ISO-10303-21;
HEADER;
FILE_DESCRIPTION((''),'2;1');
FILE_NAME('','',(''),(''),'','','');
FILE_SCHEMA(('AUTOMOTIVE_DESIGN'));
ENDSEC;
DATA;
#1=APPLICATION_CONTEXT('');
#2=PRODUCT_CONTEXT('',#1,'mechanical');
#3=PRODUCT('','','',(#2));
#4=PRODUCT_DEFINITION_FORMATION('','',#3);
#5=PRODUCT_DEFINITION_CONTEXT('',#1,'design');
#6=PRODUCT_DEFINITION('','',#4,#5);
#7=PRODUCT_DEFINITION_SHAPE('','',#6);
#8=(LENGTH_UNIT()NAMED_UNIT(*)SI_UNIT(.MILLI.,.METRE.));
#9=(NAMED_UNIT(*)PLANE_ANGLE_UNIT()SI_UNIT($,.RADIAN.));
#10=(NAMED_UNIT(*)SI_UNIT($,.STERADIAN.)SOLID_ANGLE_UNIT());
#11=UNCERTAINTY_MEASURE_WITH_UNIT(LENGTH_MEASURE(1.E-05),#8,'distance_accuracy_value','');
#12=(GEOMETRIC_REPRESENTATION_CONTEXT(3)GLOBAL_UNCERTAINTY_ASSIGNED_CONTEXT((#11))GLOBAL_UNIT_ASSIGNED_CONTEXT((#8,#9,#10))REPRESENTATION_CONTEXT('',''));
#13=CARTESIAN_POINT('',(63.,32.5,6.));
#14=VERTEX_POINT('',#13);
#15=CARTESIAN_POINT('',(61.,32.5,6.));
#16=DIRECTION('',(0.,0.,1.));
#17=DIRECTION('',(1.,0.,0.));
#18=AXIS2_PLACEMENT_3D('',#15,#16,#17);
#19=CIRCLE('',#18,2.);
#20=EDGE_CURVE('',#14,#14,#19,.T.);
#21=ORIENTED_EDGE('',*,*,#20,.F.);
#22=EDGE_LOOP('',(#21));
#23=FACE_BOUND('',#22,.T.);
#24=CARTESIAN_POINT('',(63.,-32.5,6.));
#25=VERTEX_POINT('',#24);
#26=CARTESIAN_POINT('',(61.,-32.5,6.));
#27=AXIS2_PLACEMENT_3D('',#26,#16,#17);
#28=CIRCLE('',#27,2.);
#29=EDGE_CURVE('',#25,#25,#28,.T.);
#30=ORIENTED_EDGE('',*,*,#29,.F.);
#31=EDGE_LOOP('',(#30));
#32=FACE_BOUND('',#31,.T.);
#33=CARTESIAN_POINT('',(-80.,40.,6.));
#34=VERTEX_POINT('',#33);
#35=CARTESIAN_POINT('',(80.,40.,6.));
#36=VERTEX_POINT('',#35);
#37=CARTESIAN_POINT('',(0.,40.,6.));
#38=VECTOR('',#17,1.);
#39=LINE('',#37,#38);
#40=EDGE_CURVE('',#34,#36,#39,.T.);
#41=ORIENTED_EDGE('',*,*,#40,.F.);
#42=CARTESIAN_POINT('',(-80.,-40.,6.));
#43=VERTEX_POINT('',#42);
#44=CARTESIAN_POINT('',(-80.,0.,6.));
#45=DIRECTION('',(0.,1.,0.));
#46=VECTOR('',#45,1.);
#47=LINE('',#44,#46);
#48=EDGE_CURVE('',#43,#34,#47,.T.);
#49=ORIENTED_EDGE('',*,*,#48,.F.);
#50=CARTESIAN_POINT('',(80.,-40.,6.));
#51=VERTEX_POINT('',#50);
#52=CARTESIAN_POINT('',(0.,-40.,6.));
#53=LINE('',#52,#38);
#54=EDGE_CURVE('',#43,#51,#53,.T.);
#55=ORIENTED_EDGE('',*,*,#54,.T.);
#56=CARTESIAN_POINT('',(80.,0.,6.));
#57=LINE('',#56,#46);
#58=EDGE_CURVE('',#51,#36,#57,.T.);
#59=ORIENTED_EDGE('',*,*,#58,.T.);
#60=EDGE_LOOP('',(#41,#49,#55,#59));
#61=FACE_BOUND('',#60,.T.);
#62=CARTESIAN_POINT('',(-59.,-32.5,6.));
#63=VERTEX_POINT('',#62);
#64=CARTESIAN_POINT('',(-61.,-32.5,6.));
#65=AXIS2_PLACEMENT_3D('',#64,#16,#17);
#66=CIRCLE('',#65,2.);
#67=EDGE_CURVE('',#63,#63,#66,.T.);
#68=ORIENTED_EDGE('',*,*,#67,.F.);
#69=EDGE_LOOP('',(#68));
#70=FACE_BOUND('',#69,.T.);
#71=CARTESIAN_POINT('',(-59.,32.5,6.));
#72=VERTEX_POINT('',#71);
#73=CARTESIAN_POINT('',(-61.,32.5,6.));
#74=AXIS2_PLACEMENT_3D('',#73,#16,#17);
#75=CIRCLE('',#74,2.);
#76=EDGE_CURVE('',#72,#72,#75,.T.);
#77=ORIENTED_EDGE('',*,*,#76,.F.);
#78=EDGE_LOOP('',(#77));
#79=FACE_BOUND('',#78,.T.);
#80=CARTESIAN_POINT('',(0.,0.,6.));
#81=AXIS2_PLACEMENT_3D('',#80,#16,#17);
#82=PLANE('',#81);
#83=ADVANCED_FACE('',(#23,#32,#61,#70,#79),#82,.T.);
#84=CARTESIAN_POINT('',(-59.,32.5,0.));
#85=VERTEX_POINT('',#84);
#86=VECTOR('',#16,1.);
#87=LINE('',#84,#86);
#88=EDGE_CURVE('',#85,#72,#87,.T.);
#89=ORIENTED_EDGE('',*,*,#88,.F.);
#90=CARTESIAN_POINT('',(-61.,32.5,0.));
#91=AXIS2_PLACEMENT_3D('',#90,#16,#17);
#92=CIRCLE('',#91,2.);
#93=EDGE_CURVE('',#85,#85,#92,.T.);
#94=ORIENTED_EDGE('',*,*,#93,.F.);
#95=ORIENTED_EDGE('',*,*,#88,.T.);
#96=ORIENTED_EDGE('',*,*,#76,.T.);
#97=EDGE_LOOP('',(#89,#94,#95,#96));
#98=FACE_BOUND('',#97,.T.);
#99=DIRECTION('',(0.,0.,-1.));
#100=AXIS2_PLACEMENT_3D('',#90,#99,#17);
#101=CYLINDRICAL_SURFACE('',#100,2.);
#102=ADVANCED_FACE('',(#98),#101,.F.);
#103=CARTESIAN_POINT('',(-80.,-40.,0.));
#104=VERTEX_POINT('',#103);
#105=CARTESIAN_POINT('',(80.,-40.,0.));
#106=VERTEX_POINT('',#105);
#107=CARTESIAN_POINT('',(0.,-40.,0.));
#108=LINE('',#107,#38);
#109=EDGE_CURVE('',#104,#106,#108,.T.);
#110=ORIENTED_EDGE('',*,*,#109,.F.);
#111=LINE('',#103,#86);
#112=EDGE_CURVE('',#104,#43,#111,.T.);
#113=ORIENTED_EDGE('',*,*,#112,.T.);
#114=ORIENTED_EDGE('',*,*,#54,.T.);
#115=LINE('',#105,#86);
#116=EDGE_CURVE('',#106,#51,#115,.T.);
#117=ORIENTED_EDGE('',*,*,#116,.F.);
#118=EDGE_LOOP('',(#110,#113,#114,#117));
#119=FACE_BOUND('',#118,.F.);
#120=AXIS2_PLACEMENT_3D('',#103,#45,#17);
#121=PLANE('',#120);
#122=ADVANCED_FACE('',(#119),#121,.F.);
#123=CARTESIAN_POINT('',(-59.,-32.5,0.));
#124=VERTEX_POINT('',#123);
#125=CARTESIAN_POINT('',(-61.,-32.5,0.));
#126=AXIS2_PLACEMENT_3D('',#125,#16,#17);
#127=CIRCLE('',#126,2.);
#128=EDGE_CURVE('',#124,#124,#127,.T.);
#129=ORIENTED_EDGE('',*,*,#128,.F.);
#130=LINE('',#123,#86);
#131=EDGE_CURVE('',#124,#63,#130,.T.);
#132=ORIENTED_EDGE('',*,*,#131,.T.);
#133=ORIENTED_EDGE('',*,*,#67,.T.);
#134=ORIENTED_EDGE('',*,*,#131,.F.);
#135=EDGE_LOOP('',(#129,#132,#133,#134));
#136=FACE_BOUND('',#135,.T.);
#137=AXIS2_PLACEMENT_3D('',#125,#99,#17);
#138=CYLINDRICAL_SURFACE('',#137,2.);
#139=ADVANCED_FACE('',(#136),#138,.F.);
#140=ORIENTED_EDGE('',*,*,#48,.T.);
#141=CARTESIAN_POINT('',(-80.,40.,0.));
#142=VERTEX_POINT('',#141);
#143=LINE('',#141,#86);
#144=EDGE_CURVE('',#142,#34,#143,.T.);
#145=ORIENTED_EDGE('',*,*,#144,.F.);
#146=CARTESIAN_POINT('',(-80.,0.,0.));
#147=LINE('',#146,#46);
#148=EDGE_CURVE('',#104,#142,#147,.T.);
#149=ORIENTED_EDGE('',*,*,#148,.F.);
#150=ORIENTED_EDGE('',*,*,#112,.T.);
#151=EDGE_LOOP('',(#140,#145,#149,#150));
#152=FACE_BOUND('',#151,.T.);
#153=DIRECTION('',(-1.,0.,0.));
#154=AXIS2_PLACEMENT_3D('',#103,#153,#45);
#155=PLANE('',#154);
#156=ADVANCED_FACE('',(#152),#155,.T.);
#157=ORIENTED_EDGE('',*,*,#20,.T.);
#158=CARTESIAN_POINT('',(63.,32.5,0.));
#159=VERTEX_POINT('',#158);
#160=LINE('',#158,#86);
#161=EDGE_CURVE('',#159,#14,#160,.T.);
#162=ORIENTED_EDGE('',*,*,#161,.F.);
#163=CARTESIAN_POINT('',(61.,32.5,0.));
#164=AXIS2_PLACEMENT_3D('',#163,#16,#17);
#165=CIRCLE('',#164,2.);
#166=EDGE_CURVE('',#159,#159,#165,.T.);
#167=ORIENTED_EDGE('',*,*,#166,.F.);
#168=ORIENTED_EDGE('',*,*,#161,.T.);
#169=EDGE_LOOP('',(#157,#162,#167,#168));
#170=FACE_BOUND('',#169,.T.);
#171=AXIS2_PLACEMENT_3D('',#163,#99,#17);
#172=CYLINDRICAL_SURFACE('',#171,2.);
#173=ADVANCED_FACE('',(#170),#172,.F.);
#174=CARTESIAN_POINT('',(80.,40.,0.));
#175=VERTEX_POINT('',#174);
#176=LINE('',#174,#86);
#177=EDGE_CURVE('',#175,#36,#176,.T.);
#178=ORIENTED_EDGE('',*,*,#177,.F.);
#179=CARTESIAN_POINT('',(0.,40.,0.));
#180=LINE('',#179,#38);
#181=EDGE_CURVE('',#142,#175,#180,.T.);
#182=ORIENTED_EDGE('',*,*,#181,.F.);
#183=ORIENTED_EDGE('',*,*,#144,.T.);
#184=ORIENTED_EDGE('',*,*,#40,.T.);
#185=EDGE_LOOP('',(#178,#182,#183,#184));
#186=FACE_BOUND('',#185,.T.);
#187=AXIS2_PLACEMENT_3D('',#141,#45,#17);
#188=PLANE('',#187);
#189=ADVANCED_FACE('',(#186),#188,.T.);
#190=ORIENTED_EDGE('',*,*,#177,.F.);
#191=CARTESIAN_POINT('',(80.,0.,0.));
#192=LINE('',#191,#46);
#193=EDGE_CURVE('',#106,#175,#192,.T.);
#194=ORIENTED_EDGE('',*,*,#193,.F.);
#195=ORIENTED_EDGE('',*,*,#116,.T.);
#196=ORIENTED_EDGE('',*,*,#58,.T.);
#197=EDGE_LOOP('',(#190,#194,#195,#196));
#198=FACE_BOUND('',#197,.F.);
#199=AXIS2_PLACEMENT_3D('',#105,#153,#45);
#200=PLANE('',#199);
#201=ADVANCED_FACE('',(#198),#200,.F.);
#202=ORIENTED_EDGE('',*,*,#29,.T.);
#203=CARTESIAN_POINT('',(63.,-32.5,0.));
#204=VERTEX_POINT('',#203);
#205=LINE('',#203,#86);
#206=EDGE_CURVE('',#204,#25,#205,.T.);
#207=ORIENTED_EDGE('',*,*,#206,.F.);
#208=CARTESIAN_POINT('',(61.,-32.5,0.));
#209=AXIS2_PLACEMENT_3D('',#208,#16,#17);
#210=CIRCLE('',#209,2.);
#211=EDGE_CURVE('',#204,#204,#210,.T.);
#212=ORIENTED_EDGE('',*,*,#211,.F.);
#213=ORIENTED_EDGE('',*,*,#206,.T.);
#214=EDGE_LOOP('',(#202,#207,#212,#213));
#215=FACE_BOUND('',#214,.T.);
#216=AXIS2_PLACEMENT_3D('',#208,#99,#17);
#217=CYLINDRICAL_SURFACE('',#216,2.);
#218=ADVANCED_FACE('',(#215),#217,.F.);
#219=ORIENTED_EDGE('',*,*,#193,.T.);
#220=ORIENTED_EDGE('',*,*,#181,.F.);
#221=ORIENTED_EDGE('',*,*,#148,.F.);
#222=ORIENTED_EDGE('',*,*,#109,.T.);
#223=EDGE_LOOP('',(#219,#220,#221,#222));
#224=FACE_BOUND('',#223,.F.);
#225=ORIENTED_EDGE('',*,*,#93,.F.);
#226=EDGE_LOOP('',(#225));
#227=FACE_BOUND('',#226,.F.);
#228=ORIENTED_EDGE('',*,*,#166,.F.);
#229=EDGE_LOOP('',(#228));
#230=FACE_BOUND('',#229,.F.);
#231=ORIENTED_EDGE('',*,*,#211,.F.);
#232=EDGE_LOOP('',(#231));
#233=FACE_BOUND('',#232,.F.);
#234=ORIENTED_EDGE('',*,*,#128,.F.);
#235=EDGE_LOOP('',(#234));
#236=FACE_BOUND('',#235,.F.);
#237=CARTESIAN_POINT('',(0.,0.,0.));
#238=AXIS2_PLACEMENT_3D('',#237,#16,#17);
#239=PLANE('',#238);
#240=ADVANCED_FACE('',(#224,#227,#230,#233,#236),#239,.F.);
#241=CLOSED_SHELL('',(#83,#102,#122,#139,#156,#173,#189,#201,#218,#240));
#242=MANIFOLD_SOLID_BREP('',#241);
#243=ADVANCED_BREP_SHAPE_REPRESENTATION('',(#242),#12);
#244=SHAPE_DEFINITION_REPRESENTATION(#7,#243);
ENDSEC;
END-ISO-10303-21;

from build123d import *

# Parameters (mm, degrees)
SKETCH_W  = 160
SKETCH_H  = 80
SKETCH_R  = 2
PAD_DEPTH = 6


with BuildPart() as part:
    # Sketch → Pad (new body)
    with BuildSketch(Plane.XY):
        Rectangle(SKETCH_W, SKETCH_H)
        with Locations((-61, 32.5)):
            Circle(SKETCH_R, mode=Mode.SUBTRACT)
        with Locations((-61, -32.5)):
            Circle(SKETCH_R, mode=Mode.SUBTRACT)
        with Locations((61, 32.5)):
            Circle(SKETCH_R, mode=Mode.SUBTRACT)
        with Locations((61, -32.5)):
            Circle(SKETCH_R, mode=Mode.SUBTRACT)
    extrude(amount=PAD_DEPTH)


solid = part.part
